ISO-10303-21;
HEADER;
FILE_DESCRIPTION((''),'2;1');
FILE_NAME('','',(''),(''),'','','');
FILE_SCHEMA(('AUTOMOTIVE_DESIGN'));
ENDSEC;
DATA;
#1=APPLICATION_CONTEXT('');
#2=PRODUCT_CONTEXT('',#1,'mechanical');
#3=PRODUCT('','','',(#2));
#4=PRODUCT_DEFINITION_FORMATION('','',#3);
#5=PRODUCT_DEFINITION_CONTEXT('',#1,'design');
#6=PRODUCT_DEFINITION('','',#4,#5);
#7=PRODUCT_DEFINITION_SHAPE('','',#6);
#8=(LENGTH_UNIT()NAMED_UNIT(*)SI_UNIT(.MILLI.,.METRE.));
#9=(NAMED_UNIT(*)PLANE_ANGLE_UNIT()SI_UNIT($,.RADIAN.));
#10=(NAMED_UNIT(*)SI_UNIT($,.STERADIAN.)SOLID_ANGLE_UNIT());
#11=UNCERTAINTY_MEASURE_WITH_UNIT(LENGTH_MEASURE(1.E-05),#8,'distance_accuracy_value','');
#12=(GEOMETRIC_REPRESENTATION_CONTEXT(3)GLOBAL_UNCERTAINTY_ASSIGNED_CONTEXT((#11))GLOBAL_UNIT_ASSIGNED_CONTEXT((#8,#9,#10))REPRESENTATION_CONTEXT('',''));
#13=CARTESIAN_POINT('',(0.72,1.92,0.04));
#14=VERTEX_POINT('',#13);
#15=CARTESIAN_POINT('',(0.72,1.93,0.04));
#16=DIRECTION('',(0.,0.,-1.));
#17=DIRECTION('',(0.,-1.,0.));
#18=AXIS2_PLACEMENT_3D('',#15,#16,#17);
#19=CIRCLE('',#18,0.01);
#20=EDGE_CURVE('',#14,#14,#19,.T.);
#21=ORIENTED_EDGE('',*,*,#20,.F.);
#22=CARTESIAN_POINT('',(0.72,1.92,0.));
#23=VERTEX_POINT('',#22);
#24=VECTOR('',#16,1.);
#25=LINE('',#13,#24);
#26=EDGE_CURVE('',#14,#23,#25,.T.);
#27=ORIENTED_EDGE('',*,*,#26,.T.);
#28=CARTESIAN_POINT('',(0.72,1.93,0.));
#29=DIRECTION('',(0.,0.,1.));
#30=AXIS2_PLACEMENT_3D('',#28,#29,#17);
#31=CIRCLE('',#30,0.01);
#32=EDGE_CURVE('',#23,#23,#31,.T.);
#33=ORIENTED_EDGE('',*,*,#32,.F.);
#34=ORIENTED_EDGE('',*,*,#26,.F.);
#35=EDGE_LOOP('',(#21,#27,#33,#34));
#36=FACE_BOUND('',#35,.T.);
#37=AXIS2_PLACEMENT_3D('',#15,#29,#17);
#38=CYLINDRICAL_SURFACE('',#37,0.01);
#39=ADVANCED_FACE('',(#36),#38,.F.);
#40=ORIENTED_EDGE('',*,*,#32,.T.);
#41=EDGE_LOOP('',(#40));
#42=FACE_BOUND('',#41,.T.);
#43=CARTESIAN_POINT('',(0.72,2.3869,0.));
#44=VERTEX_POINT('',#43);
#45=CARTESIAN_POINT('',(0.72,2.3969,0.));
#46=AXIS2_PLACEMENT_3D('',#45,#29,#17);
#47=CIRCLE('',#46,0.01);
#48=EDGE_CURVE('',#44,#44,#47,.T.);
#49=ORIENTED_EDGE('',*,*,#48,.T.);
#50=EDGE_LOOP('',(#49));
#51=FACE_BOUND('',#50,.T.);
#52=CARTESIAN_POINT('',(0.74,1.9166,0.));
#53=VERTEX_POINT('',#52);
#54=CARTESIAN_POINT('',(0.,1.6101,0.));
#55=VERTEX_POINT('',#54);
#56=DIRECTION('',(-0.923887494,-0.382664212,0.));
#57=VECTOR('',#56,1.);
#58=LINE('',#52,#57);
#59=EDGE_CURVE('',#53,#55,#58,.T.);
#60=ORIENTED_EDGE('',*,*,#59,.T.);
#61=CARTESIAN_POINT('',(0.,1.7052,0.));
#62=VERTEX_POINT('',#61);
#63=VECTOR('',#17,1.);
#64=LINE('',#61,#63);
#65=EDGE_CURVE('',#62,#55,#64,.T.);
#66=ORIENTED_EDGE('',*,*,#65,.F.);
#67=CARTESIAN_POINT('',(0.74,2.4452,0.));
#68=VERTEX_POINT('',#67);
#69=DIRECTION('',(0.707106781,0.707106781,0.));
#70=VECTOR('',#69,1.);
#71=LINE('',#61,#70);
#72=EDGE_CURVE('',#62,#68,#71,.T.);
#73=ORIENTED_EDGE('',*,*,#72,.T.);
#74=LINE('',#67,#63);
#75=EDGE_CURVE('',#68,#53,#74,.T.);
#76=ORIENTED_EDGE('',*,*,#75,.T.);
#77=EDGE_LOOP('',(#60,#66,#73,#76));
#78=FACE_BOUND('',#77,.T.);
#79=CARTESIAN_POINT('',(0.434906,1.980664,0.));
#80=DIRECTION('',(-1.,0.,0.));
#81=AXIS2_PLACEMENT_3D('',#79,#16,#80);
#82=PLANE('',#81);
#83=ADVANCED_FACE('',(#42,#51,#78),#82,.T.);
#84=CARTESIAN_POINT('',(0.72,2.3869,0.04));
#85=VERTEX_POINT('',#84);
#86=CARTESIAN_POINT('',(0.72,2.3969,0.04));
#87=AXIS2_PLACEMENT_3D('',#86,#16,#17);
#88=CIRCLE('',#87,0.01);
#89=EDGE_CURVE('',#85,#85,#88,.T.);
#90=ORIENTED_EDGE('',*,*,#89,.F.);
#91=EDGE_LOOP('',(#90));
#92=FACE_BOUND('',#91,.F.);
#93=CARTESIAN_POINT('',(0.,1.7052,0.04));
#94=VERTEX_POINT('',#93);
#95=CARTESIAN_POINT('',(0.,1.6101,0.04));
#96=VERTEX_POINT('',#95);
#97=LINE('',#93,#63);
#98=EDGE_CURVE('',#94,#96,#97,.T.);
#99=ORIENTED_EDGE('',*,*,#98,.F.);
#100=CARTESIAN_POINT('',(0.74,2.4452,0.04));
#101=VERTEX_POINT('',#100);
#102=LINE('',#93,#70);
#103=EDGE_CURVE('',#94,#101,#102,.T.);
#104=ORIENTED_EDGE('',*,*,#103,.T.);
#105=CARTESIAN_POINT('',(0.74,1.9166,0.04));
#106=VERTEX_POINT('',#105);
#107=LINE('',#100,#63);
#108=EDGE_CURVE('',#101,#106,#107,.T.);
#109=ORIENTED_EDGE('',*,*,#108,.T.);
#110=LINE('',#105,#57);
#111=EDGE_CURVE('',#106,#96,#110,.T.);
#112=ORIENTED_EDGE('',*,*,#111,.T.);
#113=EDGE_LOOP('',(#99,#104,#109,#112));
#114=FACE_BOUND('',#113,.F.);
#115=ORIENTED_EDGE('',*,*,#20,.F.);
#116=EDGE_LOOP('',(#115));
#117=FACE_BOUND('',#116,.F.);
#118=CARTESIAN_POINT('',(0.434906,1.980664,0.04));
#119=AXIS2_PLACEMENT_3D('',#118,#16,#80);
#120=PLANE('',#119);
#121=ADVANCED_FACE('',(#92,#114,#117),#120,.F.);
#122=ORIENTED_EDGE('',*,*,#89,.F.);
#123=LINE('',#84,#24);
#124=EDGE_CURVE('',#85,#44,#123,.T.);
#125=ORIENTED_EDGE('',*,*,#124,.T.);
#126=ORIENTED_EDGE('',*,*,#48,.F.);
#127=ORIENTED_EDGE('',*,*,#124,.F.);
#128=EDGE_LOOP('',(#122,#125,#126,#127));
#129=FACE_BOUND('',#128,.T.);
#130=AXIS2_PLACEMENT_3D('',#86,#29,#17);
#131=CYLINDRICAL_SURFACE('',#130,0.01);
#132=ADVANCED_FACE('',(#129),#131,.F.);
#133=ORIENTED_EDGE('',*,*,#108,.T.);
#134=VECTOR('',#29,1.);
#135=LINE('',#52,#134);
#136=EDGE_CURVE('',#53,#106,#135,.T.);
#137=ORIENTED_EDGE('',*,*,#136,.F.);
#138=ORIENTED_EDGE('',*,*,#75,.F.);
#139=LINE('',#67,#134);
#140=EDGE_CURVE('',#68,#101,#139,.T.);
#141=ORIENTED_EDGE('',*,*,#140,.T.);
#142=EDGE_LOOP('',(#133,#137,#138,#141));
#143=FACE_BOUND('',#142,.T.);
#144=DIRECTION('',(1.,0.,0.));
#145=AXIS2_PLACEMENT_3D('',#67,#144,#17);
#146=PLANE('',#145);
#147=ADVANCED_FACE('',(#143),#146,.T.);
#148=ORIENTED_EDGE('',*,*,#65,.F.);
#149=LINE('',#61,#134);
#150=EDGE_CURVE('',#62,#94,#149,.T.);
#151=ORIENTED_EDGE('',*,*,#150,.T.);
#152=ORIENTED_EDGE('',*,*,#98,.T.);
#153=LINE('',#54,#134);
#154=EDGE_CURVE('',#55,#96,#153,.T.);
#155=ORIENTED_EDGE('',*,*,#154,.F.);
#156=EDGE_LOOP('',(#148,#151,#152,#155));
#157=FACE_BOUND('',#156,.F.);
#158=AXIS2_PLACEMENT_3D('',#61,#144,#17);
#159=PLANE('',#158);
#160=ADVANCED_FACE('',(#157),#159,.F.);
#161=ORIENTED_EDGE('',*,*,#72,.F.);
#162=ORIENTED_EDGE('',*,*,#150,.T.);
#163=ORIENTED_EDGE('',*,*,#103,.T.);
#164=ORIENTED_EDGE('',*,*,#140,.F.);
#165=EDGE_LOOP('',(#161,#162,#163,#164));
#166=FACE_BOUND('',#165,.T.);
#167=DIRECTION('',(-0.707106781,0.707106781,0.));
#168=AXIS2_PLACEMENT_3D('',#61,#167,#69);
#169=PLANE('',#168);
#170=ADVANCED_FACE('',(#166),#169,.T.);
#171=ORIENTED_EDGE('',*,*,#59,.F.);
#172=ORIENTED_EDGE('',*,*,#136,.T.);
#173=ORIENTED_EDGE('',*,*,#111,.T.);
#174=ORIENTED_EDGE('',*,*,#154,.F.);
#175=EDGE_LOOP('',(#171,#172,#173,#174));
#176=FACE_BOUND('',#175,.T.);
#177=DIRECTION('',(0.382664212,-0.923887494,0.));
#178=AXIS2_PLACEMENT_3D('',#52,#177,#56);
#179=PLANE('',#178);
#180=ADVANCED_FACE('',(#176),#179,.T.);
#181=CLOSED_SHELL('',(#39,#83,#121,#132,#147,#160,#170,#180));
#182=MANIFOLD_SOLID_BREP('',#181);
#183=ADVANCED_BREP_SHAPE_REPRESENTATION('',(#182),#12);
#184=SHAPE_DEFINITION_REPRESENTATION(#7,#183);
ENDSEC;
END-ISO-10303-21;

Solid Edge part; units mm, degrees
sketch "Sketch1" plane through (0, 0, 0) normal (0, 0, 1) x (1, 0, 0)
  line L0 (0.74, 1.9166) -> (0, 1.6101)
  line L1 (0, 1.7052) -> (0, 1.6101)
  line L2 (0, 1.7052) -> (0.74, 2.4452)
  line L3 (0.74, 2.4452) -> (0.74, 1.9166)
extrude "Protrusion1" add sketch "Sketch1" along normal blind 0.04
hole "Bohrung_3" at (0.72, 1.93, 0.04) direction (0, 0, -1) diameter 0.02 end through all
hole "Hole1" at (0.72, 2.3969, 0.04) direction (0, 0, -1) diameter 0.02 end through all
